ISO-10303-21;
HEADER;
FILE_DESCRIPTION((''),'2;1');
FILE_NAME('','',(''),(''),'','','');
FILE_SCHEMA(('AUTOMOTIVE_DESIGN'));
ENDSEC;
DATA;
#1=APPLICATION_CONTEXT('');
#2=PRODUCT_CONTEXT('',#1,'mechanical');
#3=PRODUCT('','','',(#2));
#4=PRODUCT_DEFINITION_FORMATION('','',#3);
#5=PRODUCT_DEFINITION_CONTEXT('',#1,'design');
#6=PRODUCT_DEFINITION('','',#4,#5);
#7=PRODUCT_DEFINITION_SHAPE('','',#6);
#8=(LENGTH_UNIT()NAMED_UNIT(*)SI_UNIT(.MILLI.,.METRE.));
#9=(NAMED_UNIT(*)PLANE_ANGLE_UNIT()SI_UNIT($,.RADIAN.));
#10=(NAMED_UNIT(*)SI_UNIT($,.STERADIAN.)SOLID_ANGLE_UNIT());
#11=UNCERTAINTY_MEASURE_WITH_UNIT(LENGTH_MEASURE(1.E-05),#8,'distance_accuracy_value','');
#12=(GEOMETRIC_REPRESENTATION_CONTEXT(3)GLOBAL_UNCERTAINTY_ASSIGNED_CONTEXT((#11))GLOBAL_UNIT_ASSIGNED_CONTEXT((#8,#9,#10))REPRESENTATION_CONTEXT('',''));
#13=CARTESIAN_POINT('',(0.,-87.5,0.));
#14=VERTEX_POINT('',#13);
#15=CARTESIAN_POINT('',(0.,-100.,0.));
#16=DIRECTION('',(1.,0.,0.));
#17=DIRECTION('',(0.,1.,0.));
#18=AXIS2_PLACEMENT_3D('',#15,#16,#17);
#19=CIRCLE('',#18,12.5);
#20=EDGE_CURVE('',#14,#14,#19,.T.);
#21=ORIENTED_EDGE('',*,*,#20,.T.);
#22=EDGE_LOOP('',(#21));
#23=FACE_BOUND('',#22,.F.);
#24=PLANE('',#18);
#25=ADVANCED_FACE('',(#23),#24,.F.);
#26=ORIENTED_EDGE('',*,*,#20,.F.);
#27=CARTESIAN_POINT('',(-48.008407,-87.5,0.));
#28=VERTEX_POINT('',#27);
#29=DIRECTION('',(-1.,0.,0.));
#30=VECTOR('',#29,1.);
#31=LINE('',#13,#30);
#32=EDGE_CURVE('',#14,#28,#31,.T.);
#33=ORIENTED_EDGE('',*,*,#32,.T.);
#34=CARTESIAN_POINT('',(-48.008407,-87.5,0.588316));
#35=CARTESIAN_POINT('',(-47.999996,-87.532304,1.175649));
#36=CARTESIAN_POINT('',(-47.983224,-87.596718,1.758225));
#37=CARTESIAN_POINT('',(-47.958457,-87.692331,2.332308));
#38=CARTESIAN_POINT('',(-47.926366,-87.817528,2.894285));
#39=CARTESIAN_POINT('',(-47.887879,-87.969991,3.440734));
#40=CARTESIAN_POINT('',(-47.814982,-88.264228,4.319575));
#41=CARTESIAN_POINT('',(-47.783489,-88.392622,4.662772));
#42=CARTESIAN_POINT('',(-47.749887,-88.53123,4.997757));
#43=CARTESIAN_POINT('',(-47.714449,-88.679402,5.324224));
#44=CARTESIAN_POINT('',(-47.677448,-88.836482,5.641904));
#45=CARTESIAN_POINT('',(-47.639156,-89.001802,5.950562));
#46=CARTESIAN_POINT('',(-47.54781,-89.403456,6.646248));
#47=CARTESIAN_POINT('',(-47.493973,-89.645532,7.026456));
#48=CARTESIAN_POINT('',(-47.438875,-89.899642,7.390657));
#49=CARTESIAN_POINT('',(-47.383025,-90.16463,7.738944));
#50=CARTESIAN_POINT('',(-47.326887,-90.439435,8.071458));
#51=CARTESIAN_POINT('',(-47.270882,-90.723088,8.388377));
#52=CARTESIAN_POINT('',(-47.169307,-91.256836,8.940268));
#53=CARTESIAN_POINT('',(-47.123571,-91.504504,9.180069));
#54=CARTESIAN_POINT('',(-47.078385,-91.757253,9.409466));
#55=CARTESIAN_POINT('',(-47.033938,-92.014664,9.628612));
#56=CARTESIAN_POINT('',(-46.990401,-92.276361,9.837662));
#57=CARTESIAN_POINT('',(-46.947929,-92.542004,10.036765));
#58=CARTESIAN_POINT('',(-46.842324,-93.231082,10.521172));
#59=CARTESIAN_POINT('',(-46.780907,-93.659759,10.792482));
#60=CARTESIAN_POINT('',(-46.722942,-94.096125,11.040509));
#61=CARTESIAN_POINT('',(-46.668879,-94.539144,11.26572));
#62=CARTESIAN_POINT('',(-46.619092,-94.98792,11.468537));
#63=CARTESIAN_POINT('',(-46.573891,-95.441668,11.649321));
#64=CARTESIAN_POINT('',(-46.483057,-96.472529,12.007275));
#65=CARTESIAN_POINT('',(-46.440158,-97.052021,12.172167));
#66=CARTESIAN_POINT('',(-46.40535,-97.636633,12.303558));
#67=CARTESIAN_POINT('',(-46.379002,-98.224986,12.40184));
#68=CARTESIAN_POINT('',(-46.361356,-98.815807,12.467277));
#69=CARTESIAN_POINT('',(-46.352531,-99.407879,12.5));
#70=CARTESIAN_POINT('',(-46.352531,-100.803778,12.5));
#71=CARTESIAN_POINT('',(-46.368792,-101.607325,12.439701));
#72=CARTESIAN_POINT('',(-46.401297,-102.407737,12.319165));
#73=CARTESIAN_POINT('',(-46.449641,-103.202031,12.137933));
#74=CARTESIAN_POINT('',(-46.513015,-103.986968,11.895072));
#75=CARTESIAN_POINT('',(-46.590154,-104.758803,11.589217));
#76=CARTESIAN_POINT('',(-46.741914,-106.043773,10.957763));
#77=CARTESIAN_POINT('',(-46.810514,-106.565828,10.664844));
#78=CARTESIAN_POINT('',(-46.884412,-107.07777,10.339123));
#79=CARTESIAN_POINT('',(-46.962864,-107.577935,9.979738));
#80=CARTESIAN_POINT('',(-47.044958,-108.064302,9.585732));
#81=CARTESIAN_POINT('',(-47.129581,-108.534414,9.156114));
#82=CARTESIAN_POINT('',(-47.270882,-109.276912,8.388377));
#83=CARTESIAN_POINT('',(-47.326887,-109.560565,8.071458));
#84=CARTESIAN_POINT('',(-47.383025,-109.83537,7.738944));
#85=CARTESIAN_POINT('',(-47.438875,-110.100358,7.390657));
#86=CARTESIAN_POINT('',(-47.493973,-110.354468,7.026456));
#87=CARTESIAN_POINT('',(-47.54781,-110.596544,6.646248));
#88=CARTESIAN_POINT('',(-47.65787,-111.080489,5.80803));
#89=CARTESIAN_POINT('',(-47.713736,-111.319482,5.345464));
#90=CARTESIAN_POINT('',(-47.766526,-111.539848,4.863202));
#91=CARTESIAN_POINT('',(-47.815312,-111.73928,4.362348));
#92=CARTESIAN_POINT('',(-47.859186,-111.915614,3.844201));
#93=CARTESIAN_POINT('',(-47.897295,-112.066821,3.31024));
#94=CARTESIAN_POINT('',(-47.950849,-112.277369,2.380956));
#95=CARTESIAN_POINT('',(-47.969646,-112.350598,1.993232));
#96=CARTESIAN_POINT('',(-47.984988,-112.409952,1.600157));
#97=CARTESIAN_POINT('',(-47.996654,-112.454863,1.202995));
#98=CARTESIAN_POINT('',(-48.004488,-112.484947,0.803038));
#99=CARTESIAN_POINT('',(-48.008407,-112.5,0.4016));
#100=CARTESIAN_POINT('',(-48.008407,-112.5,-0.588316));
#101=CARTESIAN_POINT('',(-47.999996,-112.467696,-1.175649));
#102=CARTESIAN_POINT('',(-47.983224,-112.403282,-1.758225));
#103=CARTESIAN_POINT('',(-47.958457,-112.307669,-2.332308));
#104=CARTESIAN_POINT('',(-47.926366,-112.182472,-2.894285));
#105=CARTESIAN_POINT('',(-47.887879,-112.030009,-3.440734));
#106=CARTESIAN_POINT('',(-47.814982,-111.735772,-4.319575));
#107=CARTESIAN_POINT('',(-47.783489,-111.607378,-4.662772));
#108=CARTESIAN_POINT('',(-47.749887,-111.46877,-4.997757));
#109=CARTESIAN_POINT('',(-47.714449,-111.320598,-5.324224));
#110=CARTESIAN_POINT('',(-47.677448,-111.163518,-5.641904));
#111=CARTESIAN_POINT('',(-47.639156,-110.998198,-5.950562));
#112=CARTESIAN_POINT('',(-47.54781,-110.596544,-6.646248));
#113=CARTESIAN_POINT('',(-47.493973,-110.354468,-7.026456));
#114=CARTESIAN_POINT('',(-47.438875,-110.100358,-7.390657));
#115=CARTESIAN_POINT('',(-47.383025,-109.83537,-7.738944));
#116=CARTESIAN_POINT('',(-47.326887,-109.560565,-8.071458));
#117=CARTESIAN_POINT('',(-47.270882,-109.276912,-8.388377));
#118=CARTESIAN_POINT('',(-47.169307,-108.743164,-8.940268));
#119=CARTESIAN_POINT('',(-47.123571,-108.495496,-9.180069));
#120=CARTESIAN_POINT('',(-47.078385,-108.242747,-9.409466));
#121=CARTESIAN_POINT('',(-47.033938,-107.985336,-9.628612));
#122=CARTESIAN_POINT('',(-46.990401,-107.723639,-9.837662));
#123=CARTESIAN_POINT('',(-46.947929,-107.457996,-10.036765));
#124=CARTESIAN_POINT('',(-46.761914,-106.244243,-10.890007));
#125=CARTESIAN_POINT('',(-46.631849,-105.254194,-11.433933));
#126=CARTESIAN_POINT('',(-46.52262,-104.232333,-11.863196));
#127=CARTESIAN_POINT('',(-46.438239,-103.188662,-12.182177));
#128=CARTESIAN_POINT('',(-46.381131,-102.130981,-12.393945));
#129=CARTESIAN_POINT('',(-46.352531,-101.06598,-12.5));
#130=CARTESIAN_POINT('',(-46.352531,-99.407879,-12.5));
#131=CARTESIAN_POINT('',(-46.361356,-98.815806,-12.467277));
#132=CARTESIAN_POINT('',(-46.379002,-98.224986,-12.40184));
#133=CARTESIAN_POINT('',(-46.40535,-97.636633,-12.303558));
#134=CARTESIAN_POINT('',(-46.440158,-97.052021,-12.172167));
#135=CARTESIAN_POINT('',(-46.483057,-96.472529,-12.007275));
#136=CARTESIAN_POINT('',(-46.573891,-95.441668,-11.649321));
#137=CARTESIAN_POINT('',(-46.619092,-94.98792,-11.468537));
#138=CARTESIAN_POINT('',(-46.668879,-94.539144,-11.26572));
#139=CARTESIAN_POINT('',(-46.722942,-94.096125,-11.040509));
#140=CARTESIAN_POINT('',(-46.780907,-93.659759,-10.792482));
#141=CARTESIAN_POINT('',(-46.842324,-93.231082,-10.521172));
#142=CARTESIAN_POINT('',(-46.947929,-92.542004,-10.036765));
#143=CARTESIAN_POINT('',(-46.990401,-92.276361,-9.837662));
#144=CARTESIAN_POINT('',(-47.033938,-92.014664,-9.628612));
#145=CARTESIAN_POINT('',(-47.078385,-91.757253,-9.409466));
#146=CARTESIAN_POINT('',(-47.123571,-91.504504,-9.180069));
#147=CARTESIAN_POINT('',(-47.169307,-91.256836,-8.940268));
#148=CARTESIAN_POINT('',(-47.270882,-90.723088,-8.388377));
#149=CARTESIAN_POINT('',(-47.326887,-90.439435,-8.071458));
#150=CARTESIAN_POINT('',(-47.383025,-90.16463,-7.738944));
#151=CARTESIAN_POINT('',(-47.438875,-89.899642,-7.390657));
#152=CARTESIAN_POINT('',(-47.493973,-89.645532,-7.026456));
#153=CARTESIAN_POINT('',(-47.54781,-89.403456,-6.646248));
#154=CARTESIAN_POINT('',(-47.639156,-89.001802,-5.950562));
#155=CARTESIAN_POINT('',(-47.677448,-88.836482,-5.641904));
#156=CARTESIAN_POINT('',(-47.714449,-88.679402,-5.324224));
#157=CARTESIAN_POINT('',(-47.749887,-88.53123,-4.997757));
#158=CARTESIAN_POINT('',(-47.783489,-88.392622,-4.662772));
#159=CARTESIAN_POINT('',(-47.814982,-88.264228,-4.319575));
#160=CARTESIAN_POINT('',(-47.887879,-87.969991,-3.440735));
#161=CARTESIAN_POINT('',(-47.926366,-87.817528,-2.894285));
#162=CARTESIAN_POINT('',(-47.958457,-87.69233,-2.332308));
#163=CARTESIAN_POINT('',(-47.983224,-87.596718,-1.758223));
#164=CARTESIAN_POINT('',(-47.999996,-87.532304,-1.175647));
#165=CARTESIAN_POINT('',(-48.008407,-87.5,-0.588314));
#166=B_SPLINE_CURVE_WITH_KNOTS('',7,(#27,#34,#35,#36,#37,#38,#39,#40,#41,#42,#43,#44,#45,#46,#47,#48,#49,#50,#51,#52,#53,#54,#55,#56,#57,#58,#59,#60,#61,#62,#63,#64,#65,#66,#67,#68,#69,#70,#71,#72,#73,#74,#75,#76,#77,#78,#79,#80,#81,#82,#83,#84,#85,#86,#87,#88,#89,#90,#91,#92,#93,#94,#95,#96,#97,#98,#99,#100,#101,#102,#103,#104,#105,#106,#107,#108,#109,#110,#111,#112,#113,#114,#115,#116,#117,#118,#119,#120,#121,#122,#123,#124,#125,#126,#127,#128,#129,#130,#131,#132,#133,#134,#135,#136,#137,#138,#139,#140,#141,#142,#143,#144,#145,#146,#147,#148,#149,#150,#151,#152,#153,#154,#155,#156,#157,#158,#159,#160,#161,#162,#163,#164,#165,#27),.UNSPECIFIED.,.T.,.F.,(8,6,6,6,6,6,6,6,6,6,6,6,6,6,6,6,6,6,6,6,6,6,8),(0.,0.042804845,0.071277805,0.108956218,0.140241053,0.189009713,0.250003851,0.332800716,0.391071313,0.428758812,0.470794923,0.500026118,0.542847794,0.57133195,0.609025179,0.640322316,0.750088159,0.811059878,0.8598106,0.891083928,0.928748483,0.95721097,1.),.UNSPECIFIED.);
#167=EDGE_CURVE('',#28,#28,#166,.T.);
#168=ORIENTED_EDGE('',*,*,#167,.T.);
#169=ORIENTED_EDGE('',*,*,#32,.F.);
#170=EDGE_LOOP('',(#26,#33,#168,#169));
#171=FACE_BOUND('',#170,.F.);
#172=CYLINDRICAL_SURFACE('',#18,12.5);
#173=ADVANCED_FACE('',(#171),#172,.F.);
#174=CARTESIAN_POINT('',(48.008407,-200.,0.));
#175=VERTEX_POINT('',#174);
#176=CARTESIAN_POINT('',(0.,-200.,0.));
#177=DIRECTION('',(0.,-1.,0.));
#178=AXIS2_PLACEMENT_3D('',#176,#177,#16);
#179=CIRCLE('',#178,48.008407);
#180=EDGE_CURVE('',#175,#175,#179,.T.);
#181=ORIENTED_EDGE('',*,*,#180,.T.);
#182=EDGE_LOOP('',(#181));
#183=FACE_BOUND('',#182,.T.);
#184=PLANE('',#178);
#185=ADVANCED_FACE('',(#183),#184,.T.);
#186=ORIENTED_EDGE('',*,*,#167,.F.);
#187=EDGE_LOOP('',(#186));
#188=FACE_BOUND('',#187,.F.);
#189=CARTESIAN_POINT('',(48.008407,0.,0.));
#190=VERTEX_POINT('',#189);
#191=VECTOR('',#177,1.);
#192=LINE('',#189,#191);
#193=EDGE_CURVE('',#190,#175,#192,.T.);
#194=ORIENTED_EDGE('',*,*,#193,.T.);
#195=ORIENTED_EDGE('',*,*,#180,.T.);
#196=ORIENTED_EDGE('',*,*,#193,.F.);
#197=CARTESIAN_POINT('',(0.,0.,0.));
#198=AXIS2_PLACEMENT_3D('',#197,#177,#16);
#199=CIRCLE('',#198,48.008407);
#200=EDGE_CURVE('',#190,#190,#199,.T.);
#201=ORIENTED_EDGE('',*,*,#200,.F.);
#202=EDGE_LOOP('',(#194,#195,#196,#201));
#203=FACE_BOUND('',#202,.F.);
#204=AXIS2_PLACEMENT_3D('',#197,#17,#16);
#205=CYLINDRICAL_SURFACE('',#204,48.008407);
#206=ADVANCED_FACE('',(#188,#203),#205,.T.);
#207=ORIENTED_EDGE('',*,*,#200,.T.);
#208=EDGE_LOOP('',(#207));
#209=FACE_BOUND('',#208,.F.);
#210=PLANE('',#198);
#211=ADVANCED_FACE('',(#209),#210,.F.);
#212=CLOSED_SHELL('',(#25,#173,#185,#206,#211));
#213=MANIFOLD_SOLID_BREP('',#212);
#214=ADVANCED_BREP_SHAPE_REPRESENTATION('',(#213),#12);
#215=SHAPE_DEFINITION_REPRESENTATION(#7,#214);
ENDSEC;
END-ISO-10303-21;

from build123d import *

# Parameters (mm, degrees)
F0_R     = 48.008406785
F1_DEPTH = 200
F3_D     = 25
F3_DEPTH = 60
F3_TIP   = 7.5107577378


with BuildPart() as f1:
    # F0 (on Front) → F1 (new body)
    with BuildSketch(Plane.XZ):
        Circle(F0_R)
    extrude(amount=F1_DEPTH)

    # F3 (one way)
    with BuildSketch(Plane.YZ):
        with Locations((-100, 0)):
            Circle(F3_D / 2)
    extrude(amount=-F3_DEPTH, mode=Mode.SUBTRACT)
    with Locations(Plane.YZ):
        with Locations((-100, 0)):
            with Locations((0, 0, -(F3_DEPTH + F3_TIP / 2))):  # 118° drill point
                Cone(0, F3_D / 2, F3_TIP, mode=Mode.SUBTRACT)


solid = f1.part
